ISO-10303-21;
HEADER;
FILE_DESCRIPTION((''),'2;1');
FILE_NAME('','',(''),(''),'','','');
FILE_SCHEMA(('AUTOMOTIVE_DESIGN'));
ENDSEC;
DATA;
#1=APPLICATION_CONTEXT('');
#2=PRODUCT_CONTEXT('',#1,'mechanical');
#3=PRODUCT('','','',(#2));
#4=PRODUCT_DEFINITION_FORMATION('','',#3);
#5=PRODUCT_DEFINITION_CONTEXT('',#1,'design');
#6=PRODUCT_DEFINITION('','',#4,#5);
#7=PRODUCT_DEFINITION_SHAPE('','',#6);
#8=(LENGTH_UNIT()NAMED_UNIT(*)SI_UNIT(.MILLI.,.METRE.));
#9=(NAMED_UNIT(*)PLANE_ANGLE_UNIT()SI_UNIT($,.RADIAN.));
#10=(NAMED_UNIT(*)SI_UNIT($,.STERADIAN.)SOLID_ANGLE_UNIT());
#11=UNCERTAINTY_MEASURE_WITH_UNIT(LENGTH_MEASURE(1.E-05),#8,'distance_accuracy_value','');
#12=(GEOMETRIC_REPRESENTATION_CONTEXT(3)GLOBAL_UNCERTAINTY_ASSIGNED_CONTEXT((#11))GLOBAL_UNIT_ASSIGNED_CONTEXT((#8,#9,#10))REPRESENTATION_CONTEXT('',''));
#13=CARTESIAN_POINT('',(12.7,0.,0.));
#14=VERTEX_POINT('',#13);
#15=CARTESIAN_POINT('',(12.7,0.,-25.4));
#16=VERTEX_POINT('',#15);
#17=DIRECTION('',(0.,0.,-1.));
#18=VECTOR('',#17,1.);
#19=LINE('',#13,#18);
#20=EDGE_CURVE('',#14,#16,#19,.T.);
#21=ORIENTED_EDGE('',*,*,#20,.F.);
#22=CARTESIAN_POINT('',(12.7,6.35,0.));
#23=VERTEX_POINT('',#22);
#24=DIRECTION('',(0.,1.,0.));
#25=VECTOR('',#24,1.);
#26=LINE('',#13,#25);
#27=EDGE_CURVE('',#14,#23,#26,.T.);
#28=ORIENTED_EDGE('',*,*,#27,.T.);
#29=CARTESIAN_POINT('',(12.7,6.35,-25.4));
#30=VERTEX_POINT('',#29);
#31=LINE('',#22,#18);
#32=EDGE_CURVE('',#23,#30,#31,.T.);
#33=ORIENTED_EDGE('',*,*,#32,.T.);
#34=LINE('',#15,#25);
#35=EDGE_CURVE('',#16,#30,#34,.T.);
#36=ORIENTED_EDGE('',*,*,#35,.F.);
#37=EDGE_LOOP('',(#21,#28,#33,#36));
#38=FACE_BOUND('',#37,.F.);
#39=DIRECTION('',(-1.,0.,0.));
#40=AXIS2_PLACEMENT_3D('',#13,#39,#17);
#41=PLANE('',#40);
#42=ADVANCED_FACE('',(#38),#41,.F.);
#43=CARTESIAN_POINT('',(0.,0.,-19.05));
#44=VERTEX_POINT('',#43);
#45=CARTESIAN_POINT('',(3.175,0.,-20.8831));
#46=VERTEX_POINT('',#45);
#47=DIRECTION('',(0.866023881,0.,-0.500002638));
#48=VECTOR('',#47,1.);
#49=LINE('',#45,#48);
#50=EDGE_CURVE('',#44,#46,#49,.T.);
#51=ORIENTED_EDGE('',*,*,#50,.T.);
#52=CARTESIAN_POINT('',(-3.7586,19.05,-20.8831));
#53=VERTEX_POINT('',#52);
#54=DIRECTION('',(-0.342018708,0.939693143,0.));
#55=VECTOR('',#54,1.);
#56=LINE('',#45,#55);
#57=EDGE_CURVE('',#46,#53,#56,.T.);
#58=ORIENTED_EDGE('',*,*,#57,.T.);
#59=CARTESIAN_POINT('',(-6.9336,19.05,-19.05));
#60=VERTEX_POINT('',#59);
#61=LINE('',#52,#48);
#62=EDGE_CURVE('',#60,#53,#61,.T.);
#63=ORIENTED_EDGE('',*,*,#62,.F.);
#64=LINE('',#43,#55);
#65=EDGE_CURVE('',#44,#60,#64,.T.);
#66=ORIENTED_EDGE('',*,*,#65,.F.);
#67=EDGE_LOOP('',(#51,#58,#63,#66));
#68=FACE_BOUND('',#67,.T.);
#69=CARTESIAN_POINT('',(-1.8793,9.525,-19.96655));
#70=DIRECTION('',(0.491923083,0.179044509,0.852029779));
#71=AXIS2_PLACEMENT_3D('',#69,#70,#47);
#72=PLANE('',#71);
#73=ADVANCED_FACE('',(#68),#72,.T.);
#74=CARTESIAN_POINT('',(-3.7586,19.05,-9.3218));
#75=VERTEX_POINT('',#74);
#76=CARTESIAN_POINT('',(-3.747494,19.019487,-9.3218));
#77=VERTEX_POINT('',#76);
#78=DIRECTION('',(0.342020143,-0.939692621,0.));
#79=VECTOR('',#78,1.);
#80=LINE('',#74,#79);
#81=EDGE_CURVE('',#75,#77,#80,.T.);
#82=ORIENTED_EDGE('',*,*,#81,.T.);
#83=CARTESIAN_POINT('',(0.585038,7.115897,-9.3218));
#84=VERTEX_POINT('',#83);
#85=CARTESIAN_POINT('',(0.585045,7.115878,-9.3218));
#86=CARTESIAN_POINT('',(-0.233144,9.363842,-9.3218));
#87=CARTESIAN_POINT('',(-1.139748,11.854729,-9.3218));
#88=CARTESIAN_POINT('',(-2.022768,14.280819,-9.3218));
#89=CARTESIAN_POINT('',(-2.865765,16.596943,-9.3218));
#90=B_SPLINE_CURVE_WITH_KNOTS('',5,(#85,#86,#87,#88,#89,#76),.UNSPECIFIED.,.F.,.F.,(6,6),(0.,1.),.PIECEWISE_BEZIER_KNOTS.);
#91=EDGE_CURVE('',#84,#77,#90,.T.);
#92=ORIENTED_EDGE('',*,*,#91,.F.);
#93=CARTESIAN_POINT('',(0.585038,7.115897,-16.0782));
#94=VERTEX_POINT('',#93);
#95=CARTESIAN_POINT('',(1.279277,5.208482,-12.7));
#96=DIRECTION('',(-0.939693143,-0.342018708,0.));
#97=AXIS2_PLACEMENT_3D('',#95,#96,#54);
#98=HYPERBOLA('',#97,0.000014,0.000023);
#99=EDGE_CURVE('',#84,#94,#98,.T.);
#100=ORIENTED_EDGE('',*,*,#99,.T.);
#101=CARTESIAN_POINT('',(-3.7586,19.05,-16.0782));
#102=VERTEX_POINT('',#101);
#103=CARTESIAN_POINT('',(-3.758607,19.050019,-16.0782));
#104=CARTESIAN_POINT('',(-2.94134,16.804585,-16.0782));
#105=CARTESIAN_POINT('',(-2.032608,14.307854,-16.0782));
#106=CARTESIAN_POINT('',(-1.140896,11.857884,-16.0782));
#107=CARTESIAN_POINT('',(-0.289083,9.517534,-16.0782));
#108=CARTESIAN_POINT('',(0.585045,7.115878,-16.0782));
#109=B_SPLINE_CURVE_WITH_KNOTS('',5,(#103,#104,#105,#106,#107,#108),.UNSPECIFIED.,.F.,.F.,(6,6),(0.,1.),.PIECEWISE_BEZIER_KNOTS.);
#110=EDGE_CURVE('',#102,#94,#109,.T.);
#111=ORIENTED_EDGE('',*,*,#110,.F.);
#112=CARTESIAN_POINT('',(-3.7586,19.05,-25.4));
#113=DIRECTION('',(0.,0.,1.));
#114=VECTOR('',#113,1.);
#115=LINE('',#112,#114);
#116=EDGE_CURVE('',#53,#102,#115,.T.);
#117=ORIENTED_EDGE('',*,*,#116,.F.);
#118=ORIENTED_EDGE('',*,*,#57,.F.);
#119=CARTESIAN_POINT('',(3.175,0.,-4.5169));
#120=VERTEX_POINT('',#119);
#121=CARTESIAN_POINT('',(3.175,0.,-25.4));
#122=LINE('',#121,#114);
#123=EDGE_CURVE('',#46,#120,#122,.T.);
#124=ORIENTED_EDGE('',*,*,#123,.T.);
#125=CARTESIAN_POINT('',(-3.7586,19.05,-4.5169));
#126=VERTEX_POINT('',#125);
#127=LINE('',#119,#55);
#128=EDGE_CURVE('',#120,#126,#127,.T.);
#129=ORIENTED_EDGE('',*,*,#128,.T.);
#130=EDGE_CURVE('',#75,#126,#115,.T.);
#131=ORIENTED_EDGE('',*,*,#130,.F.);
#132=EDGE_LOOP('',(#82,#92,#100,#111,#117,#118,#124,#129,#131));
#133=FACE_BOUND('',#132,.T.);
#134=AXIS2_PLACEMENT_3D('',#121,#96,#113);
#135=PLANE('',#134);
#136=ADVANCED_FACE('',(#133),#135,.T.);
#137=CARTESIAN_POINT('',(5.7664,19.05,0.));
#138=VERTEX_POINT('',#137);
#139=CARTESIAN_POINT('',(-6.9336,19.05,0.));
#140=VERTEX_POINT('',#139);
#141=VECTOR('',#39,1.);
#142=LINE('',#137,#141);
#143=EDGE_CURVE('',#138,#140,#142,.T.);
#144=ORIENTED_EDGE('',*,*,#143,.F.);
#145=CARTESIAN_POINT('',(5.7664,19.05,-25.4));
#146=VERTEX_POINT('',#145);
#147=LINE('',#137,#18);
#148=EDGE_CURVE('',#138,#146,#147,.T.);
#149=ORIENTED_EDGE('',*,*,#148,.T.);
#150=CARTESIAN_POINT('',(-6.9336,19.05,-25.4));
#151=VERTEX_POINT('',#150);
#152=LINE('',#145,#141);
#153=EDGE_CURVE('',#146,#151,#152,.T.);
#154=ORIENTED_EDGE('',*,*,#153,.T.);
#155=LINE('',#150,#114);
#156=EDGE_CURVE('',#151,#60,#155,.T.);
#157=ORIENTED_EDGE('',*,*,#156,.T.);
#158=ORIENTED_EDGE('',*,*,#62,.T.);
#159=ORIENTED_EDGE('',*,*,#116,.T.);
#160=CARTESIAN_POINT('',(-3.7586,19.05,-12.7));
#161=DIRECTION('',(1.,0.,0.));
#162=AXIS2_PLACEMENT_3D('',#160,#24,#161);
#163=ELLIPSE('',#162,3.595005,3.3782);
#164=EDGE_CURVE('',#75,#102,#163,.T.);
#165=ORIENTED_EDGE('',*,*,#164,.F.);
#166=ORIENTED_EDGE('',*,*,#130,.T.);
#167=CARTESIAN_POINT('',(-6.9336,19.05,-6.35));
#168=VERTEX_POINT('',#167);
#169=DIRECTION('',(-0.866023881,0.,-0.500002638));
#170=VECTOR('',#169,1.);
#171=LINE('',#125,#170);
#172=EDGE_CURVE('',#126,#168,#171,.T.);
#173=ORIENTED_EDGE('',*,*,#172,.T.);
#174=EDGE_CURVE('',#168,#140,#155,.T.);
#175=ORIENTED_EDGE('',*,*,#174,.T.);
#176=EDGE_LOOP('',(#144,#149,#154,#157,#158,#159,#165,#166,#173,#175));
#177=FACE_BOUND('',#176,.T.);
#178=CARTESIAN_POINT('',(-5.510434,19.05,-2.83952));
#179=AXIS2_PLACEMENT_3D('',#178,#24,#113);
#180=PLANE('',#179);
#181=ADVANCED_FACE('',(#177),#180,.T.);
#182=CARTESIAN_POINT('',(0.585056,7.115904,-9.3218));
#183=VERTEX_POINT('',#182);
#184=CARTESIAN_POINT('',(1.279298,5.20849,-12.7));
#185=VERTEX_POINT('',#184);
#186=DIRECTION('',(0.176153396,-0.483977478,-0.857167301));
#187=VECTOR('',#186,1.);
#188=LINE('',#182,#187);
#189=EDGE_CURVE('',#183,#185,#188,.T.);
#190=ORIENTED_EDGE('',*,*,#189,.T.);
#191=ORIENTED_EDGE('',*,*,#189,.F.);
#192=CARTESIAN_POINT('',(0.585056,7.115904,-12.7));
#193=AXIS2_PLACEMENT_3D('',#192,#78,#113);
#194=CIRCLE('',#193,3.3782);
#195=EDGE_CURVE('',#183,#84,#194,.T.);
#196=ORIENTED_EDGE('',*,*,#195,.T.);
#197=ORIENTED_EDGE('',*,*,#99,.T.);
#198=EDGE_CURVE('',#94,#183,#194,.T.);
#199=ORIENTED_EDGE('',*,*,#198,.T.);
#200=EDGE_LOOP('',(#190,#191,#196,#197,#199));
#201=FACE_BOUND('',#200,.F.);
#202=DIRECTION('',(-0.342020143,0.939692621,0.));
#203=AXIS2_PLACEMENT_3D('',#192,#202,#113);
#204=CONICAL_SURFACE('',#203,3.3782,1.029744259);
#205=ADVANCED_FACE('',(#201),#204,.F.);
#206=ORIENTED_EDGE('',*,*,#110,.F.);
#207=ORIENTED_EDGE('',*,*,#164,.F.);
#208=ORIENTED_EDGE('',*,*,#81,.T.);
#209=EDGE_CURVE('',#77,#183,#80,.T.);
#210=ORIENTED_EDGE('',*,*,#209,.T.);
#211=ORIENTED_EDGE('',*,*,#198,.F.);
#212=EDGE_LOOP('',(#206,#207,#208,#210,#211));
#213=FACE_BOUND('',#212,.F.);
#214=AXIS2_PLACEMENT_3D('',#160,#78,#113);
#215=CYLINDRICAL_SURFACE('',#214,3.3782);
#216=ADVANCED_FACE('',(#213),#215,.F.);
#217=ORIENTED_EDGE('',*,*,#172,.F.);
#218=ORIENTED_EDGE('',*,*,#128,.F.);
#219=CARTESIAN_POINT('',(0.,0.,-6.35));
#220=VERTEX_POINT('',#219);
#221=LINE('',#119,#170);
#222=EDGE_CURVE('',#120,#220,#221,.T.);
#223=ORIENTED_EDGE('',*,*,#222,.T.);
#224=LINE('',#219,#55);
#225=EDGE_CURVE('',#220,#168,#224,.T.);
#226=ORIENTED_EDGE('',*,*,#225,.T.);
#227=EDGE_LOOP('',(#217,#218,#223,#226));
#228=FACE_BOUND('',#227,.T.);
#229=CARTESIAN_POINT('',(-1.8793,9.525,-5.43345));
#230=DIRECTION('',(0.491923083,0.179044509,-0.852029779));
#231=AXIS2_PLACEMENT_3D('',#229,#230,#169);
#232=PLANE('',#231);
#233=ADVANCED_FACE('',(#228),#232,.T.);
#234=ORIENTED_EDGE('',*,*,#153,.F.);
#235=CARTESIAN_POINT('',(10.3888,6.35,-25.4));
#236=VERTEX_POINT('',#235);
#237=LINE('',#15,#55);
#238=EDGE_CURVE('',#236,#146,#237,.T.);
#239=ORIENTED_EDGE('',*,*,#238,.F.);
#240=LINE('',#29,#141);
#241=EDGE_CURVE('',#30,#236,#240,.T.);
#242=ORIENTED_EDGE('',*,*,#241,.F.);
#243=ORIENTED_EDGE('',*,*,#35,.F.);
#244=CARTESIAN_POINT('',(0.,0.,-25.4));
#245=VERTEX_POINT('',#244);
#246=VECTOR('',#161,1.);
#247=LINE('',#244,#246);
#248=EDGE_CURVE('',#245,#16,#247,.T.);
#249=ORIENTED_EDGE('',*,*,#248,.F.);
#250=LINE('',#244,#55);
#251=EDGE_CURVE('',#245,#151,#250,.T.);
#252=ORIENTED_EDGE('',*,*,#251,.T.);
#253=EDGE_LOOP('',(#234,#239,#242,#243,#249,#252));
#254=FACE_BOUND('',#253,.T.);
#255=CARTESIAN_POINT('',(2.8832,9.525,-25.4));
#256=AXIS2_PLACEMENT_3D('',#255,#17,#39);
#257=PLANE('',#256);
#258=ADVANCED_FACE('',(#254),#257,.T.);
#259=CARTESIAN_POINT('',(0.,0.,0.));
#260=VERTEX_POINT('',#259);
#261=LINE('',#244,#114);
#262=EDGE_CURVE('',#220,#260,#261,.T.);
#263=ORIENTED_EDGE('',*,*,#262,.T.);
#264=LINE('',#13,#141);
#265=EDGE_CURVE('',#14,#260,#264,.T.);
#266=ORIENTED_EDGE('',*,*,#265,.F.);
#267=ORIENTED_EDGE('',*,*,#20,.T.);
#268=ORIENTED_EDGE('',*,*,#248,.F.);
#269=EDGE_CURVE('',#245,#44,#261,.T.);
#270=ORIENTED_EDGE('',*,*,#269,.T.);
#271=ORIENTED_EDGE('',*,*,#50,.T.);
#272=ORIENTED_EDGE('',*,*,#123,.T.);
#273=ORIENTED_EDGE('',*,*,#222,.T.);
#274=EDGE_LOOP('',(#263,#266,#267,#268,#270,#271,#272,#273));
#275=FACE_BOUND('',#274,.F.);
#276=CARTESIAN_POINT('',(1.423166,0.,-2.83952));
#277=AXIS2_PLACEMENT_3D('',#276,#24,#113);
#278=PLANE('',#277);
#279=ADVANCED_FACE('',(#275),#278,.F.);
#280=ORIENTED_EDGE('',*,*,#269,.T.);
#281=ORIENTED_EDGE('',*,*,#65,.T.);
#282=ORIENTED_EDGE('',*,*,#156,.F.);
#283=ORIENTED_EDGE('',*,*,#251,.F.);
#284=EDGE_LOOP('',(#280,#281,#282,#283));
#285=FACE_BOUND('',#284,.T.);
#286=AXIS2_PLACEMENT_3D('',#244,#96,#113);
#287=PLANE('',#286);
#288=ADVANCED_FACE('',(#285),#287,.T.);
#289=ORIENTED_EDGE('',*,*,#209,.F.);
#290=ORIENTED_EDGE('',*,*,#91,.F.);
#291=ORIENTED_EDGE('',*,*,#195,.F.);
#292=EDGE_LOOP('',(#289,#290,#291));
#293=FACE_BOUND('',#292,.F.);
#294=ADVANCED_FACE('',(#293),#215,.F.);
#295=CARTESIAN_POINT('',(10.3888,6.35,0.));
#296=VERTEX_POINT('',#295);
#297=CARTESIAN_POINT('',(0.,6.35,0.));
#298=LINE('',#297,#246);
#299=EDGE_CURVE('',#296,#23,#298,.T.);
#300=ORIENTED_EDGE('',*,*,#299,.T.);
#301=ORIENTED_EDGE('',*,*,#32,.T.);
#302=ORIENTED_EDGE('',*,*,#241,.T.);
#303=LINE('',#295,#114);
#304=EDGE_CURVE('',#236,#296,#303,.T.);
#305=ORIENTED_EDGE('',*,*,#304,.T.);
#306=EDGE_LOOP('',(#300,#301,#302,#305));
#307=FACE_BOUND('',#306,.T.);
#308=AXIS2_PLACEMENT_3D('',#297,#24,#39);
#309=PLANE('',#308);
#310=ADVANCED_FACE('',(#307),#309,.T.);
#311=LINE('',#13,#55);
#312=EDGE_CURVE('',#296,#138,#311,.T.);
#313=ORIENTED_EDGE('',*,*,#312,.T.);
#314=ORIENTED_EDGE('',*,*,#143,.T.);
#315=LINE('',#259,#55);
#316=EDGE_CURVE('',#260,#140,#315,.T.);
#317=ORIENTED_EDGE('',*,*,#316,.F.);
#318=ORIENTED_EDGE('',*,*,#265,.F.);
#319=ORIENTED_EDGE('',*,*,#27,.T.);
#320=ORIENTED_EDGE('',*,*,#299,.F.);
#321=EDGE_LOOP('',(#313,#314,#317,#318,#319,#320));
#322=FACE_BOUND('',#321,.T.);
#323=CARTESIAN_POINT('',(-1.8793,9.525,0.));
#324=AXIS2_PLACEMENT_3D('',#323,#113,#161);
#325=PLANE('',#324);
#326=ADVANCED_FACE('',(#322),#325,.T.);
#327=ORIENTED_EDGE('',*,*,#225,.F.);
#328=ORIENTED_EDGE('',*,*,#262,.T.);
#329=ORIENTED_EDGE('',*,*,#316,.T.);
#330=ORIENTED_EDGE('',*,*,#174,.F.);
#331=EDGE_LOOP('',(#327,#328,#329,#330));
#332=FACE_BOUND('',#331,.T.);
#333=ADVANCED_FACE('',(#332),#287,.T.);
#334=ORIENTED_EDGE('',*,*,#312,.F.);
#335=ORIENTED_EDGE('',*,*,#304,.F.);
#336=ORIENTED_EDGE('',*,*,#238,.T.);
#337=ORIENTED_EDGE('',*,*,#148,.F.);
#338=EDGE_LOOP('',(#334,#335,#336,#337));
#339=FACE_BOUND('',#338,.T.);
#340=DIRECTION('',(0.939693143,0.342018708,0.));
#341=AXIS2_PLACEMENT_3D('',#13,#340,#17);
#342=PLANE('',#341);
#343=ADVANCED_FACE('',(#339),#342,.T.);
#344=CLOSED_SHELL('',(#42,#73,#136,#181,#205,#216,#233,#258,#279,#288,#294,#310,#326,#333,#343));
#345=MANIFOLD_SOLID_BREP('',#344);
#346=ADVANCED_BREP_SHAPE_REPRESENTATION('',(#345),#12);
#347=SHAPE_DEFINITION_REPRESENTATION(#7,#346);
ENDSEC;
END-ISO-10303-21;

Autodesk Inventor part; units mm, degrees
ref_plane "YZ Plane" through (0, 0, 0) normal (1, 0, 0) x (0, 1, 0)
ref_plane "XZ Plane" through (0, 0, 0) normal (0, 1, 0) x (-1, 0, 0)
sketch "Sketch1" plane through (0, 0, 0) normal (0, 1, 0) x (-1, 0, 0)
  line L0 (0, 0) -> (-12.7, 0)
  line L1 (-12.7, 0) -> (-12.7, -25.4)
  line L2 (-12.7, -25.4) -> (0, -25.4)
  line L3 (0, -25.4) -> (0, 0)
  line L4 (0, -12.7) -> (-12.7, -12.7) construction
  line L5 (-3.175, -25.4) -> (-3.175, 0)
  line L6 (-3.175, -20.8831) -> (0, -19.05)
  line L7 (-3.175, -4.5169) -> (0, -6.35)
  line L8 (-9.525, -25.4) -> (-9.525, 0)
  point P0 (-3.175, -12.7)
  point P1 (0, -6.35)
  dimension "d0" = 12.7
  dimension "d7" = 25.4
  dimension "d34" = 3.175
  dimension "d35" = 60
  dimension "d36" = 12.7
  dimension "d57" = 3.175
sketch "Sketch8" plane through (0, 0, 0) normal (0, 0, 1) x (1, 0, 0)
  line L0 (0, 0) -> (-6.9336, 19.05)
  line L1 (0, 0) -> (20.2726, 0) construction
  dimension "d53" = 110
  dimension "d54" = 19.05
sweep "Sweep3" add profiles "Sketch1" path "Sketch8" contours L3 L7 L5 L0 | L5 L2 L8 L0 | L8 L2 L1 L0 | L3 L2 L5 L6
extrude "Extrusion3" add sketch "Sketch1" along normal blind 6.35 contours L8 L2 L1 L0
ref_plane "Work Plane6" through (-3.7586, 19.05, -25.4) normal (-0.342, 0.9397, 0) x (0, 0, 1)
sketch "Sketch9" plane through (-3.7586, 19.05, -25.4) normal (-0.342, 0.9397, 0) x (0, 0, 1)
  line L0 (4.5169, 0) -> (20.8831, 0) construction
  point P0 (12.7, 0)
hole "Hole4" at (-3.7586, 19.05, -12.7) direction (0.342, -0.9397, 0) diameter 6.7564 depth 12.7 tip angle 118
equation "\"slopeAngle\" = 70deg"
properties material "Steel, Alloy"
